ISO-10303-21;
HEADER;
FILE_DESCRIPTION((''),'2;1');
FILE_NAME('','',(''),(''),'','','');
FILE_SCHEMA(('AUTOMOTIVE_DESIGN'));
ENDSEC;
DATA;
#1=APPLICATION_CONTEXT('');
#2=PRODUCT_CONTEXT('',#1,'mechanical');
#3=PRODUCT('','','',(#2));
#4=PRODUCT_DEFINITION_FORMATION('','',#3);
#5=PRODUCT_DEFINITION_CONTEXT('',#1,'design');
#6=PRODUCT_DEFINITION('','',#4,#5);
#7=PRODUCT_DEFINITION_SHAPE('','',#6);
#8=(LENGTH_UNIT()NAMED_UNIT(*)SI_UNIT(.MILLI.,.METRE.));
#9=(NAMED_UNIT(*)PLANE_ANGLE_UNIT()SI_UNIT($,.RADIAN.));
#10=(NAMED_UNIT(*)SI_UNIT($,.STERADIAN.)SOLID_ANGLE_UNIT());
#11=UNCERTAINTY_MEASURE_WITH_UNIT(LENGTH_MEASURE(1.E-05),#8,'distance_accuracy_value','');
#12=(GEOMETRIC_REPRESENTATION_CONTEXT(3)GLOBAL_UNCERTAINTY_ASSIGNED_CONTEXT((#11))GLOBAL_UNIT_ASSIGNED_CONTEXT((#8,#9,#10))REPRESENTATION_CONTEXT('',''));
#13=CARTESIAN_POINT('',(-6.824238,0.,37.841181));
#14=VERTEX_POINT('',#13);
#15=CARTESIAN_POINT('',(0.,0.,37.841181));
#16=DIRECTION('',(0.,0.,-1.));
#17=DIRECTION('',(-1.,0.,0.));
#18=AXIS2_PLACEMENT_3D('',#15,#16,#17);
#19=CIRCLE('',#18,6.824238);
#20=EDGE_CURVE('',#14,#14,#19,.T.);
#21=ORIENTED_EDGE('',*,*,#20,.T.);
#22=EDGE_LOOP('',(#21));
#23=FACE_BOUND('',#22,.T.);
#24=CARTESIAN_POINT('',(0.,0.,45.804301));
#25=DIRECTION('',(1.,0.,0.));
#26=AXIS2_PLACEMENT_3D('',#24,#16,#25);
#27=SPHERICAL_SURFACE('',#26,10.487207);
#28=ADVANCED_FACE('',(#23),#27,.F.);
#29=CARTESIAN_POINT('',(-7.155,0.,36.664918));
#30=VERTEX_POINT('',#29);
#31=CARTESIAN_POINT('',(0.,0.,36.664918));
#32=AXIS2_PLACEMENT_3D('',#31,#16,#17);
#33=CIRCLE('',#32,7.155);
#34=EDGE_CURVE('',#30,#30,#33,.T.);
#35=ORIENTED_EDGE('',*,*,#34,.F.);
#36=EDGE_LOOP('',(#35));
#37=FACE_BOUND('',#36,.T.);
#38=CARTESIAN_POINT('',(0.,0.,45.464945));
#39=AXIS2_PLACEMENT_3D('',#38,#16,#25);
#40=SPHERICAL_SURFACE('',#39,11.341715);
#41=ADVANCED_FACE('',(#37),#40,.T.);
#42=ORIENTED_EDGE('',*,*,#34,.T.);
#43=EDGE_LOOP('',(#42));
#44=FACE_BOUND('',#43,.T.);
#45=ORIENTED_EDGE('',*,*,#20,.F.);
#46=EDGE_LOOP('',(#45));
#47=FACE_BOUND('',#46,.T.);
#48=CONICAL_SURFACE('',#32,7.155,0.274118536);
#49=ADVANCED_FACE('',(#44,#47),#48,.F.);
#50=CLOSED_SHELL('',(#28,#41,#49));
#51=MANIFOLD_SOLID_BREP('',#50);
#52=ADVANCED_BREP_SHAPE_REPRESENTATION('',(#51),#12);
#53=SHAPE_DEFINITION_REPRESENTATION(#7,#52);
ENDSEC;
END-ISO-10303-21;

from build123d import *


with BuildPart() as part:
    # 草图2 → 旋转1 (revolve)
    with BuildSketch(Plane(origin=(0, 0, 0), x_dir=(1, 0, 0), z_dir=(0, 1, 0))):
        with BuildLine():
            Line((7.155, -36.664917873), (6.82423803, -37.84118119))
            ThreePointArc((6.82423803, -37.84118119), (9.835964598, -49.442337953), (0, -56.291508384))
            Line((0, -56.291508384), (0, -56.806659451))
            ThreePointArc((0, -56.806659451), (10.687419928, -49.261462864), (7.155, -36.664917873))
        make_face()
    revolve(axis=Axis((0, 0, 56.291508384), (0, 0, 1)))


solid = part.part
